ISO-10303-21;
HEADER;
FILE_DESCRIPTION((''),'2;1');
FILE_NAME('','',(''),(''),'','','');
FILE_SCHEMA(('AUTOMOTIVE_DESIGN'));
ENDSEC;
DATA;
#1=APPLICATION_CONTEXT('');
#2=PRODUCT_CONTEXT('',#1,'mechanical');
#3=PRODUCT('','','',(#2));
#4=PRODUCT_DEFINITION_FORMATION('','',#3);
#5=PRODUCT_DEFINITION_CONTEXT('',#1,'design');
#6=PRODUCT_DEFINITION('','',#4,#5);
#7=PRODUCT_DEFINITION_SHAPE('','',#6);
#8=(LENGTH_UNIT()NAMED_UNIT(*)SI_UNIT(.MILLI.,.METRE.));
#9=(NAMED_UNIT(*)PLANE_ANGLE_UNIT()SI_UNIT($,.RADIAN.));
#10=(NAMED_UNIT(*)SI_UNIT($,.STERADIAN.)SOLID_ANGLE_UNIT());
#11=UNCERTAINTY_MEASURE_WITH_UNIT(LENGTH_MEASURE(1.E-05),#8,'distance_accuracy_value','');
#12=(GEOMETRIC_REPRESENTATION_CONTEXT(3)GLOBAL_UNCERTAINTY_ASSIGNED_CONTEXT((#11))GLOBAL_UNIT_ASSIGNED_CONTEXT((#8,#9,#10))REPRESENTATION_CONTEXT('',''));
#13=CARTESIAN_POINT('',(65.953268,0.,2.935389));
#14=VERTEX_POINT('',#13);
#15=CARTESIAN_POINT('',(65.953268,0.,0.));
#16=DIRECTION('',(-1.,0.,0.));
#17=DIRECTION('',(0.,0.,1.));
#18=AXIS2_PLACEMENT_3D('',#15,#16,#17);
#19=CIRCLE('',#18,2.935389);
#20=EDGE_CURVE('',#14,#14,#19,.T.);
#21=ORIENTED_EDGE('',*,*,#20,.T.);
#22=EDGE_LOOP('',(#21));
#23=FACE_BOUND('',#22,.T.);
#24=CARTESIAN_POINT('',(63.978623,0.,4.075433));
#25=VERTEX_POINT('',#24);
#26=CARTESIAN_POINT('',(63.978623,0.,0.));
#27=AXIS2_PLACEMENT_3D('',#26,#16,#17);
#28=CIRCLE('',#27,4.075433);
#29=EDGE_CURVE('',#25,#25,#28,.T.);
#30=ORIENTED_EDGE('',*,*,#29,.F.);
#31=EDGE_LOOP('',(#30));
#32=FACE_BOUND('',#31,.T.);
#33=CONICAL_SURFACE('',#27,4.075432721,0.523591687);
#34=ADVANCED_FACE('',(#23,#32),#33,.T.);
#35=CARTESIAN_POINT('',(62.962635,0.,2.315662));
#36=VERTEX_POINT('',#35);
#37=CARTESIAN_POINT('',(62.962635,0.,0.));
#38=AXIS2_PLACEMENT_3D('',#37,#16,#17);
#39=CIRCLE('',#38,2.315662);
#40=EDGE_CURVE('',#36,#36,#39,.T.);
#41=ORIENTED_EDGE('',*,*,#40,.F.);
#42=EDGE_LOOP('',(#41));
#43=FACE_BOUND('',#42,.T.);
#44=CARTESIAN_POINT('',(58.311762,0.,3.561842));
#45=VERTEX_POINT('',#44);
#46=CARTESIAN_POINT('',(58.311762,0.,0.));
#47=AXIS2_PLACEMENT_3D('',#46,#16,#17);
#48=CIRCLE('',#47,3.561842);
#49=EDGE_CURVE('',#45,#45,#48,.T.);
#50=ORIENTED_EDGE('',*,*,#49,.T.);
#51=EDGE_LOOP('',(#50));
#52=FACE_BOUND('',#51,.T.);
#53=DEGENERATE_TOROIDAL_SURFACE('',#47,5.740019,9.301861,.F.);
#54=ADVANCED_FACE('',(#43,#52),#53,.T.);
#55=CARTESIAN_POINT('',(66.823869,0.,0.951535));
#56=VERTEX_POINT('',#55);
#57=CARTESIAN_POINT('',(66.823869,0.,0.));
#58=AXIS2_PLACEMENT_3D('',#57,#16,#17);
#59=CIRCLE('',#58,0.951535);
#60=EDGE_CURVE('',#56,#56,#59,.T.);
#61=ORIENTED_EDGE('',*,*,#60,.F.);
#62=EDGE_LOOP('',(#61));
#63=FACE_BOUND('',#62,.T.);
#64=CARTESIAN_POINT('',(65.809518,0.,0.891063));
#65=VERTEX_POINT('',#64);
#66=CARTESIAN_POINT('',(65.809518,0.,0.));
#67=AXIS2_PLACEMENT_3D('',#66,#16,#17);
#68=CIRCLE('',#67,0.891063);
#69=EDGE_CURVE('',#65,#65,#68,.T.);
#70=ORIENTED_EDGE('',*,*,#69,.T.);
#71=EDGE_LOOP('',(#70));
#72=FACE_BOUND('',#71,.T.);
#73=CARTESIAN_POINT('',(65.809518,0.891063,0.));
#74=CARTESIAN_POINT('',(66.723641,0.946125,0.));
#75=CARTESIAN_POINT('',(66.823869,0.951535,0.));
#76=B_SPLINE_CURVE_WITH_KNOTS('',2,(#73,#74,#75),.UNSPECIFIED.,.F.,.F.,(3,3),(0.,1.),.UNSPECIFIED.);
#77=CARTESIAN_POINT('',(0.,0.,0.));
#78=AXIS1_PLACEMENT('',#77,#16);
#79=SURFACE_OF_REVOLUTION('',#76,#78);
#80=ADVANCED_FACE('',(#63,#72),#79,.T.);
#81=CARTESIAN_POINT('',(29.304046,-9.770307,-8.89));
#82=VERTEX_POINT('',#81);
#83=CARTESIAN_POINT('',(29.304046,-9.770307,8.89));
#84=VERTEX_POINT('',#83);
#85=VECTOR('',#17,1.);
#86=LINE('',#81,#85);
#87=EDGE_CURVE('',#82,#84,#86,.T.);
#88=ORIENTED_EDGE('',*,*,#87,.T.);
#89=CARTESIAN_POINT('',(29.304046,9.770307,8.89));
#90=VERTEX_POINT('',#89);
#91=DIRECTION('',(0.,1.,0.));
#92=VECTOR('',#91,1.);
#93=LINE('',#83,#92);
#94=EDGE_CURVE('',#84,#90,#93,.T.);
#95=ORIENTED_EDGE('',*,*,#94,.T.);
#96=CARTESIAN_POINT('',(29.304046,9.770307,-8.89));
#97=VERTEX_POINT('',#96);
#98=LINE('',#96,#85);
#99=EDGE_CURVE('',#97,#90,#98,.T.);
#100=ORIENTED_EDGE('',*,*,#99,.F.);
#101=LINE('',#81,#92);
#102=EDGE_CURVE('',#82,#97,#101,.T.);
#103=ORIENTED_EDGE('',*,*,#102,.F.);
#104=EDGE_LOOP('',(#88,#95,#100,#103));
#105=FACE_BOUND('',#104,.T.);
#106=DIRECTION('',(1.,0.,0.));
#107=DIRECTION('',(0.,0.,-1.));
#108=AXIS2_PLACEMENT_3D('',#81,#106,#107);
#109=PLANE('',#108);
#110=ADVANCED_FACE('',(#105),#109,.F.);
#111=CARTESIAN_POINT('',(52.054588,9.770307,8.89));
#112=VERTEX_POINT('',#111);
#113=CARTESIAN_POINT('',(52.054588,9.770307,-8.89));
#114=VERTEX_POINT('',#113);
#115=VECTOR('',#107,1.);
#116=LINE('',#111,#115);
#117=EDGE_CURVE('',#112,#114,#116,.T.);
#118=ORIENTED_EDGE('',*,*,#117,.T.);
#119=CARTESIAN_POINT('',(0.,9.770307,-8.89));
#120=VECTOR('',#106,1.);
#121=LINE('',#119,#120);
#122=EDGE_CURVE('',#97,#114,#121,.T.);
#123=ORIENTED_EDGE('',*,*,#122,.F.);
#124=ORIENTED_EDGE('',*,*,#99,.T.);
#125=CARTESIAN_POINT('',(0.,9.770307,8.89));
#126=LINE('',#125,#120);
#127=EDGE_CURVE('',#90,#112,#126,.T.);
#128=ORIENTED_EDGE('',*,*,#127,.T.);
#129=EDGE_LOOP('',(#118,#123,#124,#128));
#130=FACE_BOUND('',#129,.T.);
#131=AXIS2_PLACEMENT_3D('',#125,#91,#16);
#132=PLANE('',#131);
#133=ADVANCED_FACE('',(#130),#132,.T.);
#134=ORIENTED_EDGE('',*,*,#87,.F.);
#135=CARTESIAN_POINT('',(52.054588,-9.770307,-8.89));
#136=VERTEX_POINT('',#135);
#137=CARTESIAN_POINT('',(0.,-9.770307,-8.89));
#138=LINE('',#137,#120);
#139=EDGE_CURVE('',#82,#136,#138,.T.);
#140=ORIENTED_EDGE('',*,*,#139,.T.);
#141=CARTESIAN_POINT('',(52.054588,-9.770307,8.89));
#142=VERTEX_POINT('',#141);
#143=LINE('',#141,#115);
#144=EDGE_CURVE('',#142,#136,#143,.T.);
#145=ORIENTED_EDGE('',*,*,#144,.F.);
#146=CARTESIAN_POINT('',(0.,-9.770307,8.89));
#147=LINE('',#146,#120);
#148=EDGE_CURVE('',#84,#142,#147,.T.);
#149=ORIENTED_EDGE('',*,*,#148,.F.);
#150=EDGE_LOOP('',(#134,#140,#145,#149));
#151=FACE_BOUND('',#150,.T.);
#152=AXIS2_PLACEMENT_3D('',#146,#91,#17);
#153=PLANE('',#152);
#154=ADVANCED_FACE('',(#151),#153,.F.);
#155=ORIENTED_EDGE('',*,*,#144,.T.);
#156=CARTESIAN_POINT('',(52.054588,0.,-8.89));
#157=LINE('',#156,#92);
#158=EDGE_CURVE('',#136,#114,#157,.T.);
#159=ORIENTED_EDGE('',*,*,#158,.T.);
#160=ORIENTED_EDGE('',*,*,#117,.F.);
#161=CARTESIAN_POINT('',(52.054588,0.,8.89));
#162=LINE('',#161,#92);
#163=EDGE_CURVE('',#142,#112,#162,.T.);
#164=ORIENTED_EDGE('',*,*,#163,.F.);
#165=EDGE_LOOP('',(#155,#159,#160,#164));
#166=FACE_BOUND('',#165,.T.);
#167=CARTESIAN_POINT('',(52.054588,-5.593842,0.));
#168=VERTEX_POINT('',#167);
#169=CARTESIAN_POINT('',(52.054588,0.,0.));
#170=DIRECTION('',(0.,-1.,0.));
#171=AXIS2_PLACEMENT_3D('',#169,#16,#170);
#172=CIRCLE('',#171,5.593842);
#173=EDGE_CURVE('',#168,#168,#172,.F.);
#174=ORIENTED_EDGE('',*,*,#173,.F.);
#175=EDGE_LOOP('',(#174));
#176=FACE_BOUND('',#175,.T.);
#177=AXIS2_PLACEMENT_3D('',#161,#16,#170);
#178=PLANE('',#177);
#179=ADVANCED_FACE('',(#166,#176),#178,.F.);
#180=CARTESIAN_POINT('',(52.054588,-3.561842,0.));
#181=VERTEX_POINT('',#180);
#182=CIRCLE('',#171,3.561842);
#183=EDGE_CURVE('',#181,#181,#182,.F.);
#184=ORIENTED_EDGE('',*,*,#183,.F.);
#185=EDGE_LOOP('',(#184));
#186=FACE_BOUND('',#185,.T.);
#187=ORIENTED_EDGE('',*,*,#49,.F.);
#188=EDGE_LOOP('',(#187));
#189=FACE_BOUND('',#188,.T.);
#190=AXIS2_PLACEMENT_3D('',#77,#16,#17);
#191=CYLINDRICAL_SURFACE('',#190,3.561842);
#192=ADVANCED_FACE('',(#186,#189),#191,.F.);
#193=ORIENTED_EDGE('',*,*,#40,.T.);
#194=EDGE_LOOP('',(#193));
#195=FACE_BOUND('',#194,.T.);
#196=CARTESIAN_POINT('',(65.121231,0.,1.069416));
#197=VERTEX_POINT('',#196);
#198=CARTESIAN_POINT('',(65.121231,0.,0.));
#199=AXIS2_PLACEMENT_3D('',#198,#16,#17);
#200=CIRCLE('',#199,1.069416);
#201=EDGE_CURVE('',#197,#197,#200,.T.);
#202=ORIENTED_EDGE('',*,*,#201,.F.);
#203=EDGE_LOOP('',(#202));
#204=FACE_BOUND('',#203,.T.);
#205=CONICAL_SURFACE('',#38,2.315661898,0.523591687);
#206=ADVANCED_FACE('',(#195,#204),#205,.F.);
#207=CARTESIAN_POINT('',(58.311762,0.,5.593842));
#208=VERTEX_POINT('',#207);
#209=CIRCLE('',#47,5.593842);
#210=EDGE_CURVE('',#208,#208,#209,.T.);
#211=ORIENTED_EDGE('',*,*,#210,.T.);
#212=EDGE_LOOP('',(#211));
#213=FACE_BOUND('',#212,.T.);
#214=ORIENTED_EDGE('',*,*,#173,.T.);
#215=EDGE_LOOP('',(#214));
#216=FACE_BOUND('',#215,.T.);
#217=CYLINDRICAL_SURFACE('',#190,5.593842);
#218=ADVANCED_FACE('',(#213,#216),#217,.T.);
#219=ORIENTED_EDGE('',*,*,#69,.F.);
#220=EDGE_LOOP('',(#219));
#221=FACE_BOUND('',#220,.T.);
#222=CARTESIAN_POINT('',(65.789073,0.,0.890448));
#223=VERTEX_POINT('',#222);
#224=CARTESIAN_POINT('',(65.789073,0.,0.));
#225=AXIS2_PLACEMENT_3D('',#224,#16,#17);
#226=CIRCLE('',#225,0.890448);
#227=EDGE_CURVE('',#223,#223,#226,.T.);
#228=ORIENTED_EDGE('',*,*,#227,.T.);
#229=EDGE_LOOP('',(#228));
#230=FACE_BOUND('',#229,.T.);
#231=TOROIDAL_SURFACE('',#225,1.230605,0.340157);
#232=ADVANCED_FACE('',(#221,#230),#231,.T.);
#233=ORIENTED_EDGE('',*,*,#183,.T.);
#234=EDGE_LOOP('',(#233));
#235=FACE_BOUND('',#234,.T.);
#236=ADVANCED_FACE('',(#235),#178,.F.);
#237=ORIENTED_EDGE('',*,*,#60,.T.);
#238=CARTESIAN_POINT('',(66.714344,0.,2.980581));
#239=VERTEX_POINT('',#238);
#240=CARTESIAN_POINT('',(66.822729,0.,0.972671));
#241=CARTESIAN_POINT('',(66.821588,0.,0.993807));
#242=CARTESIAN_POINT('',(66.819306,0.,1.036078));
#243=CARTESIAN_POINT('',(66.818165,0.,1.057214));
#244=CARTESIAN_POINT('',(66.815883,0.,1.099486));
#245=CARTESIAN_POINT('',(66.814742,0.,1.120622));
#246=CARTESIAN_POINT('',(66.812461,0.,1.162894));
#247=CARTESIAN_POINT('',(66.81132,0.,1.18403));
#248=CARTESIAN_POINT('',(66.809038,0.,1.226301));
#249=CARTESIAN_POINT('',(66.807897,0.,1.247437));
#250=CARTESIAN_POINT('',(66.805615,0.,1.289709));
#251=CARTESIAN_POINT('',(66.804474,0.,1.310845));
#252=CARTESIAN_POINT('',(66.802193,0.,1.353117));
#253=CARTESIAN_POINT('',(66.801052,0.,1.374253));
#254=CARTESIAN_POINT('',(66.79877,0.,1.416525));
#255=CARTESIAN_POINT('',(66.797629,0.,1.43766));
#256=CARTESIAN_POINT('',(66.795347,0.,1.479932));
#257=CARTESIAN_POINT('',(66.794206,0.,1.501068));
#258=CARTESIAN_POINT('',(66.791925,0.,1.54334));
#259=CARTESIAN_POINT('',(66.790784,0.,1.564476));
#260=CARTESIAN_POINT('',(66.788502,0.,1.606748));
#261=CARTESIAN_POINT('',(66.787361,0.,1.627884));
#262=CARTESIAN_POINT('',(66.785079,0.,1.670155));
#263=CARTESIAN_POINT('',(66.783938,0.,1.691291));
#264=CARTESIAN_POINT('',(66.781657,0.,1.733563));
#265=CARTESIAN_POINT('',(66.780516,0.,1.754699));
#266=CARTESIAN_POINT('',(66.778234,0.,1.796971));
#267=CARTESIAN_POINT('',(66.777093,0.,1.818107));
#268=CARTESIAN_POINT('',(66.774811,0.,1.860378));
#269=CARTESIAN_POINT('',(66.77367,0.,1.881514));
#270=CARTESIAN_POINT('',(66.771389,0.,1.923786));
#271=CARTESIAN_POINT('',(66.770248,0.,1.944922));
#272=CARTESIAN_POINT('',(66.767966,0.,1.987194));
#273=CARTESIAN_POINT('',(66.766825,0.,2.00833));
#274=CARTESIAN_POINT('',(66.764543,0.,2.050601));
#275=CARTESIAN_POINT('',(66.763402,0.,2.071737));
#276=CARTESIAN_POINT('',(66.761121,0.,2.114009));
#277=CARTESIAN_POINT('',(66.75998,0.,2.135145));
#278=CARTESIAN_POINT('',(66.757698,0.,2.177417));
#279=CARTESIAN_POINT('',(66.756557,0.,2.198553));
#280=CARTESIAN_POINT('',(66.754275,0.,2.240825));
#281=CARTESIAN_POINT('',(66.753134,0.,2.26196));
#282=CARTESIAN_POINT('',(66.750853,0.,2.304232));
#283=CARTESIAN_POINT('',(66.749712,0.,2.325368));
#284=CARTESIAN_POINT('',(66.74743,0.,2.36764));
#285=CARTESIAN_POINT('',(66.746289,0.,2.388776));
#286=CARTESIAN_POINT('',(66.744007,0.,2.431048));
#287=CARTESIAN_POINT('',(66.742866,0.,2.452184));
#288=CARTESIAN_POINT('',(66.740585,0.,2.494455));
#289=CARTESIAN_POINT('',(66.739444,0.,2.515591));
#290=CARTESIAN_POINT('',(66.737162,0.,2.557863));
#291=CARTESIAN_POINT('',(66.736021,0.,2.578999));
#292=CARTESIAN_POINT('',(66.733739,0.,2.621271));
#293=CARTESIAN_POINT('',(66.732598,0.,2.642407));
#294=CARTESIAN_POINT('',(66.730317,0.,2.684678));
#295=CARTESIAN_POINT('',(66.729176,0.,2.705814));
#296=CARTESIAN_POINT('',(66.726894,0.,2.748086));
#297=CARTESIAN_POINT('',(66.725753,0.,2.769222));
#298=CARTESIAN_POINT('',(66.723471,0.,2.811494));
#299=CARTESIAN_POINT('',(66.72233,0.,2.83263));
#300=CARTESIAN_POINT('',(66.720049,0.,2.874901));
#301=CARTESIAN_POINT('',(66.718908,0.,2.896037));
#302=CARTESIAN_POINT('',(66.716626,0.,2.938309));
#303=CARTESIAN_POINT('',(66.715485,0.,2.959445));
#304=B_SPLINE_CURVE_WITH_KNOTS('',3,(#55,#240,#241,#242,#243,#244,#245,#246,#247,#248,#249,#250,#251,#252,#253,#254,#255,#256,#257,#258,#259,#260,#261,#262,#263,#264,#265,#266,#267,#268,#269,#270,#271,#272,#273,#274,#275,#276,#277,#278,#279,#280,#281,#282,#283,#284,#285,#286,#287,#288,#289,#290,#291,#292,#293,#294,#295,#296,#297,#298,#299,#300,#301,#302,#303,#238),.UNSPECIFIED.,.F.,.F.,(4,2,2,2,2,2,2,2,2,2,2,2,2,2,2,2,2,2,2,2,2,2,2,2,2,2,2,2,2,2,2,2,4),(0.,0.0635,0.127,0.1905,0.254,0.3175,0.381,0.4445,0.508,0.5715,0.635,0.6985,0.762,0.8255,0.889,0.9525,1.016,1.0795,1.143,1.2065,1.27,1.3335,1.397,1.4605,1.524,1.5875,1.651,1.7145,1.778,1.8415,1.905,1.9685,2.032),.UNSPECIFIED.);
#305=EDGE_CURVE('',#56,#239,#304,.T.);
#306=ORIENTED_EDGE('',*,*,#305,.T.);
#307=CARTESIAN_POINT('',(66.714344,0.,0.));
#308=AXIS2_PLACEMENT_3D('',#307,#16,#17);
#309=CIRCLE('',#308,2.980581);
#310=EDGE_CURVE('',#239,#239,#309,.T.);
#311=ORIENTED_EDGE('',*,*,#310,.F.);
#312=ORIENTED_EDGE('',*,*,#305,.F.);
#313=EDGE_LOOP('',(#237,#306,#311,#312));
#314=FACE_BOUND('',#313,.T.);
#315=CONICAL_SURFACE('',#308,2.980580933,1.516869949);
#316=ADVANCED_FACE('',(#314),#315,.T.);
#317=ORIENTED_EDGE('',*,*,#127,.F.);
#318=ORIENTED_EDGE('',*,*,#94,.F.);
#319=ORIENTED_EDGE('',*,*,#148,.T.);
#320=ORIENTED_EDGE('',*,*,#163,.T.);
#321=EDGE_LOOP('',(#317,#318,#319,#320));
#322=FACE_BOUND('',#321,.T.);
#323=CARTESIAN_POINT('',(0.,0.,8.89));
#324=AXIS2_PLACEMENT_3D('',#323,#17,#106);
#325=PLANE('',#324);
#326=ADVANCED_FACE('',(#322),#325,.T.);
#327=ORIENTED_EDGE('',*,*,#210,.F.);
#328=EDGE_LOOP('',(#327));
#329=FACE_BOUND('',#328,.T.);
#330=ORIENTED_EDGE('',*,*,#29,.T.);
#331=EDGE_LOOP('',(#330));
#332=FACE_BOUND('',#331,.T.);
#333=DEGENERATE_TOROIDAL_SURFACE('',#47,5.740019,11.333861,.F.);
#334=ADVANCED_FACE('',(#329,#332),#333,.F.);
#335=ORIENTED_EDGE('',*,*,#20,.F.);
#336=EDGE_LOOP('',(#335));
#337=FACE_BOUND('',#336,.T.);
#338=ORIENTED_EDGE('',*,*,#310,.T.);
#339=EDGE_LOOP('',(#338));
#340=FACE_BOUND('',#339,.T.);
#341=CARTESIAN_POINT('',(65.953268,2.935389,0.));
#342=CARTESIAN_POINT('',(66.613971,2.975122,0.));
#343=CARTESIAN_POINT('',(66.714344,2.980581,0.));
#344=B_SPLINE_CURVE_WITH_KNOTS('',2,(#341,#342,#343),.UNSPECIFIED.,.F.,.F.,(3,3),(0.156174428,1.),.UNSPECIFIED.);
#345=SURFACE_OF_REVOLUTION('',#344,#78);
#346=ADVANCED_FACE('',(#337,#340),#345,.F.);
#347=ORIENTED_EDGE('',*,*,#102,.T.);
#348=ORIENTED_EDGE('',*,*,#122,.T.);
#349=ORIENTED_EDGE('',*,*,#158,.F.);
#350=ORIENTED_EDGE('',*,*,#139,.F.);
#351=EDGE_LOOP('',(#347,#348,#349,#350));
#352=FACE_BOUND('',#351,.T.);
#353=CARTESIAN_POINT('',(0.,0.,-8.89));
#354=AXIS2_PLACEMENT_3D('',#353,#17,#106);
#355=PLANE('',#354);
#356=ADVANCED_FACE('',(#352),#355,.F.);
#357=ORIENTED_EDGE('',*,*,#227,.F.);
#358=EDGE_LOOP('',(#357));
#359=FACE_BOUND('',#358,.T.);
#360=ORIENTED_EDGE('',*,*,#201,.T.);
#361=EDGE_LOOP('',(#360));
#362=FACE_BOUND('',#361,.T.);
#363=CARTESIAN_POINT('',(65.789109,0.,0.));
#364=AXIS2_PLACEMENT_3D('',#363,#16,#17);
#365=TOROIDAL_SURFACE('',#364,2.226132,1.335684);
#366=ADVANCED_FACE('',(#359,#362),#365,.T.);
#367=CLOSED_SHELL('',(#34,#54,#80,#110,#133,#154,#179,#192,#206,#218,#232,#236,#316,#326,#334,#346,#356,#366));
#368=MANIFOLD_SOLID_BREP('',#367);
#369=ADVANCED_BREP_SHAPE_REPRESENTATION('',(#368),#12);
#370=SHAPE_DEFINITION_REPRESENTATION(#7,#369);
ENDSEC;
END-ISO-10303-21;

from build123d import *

# Parameters (mm, degrees)
SKETCH1_W           = 52.054588137
SKETCH1_H           = 19.540614726
BOSS_EXTRUDE1_DEPTH = 8.89
SKETCH3_W           = 29.304045921
SKETCH3_H           = 19.540614726
CUT_EXTRUDE1_DEPTH  = 70.835641623


with BuildPart() as part:
    # Model → Revolve1 (revolve)
    with BuildSketch(Plane.XY, mode=Mode.PRIVATE) as revolve1_sk:
        with BuildLine():
            add(Edge.make_bspline(
                [(65.953268304, 2.93538911), (66.613970922, 2.97512211), (66.714344102, 2.980580933)],
                knots=[0.156174428, 0.156174428, 0.156174428, 1, 1, 1], degree=2))
            Line((66.714344102, 2.980580933), (66.8238694, 0.9515348))
            add(Edge.make_bspline(
                [(65.809518177, 0.891062762), (66.723641, 0.9461246), (66.8238694, 0.9515348)],
                knots=[0, 0, 0, 1, 1, 1], degree=2))
            ThreePointArc((65.809518177, 0.891062762), (65.799300412, 0.890601575), (65.7890734, 0.8904478))
            ThreePointArc((65.7890734, 0.8904478), (65.443371388, 0.935970102), (65.1212312, 1.0694162))
            Line((65.1212312, 1.0694162), (62.962634994, 2.315661898))
            ThreePointArc((62.962634994, 2.315661898), (60.719228535, 3.244897306), (58.3117616, 3.561842))
            Line((58.3117616, 3.561842), (0, 3.561842))
            Line((0, 3.561842), (0, 5.593842))
            Line((0, 5.593842), (58.3117616, 5.593842))
            ThreePointArc((58.3117616, 5.593842), (61.245141878, 5.207660449), (63.978622519, 4.075432721))
            Line((63.978622519, 4.075432721), (65.953268304, 2.93538911))
        make_face()
    revolve(revolve1_sk.sketch.rotate(Axis((0, 0, 0), (1, 0, 0)), 90), axis=Axis((0, 0, 0), (1, 0, 0)))

    # Sketch1 → Boss-Extrude1 (add, symmetric)
    with BuildSketch(Plane.XY):
        with Locations((26.027294069, 0)):
            Rectangle(SKETCH1_W, SKETCH1_H)
    extrude(amount=BOSS_EXTRUDE1_DEPTH, both=True)

    # Sketch3 → Cut-Extrude1 (cut, through all)
    with BuildSketch(Plane.XY.offset(8.89)):
        with Locations((14.652022961, 0)):
            Rectangle(SKETCH3_W, SKETCH3_H)
    extrude(amount=-CUT_EXTRUDE1_DEPTH, mode=Mode.SUBTRACT)


solid = part.part
